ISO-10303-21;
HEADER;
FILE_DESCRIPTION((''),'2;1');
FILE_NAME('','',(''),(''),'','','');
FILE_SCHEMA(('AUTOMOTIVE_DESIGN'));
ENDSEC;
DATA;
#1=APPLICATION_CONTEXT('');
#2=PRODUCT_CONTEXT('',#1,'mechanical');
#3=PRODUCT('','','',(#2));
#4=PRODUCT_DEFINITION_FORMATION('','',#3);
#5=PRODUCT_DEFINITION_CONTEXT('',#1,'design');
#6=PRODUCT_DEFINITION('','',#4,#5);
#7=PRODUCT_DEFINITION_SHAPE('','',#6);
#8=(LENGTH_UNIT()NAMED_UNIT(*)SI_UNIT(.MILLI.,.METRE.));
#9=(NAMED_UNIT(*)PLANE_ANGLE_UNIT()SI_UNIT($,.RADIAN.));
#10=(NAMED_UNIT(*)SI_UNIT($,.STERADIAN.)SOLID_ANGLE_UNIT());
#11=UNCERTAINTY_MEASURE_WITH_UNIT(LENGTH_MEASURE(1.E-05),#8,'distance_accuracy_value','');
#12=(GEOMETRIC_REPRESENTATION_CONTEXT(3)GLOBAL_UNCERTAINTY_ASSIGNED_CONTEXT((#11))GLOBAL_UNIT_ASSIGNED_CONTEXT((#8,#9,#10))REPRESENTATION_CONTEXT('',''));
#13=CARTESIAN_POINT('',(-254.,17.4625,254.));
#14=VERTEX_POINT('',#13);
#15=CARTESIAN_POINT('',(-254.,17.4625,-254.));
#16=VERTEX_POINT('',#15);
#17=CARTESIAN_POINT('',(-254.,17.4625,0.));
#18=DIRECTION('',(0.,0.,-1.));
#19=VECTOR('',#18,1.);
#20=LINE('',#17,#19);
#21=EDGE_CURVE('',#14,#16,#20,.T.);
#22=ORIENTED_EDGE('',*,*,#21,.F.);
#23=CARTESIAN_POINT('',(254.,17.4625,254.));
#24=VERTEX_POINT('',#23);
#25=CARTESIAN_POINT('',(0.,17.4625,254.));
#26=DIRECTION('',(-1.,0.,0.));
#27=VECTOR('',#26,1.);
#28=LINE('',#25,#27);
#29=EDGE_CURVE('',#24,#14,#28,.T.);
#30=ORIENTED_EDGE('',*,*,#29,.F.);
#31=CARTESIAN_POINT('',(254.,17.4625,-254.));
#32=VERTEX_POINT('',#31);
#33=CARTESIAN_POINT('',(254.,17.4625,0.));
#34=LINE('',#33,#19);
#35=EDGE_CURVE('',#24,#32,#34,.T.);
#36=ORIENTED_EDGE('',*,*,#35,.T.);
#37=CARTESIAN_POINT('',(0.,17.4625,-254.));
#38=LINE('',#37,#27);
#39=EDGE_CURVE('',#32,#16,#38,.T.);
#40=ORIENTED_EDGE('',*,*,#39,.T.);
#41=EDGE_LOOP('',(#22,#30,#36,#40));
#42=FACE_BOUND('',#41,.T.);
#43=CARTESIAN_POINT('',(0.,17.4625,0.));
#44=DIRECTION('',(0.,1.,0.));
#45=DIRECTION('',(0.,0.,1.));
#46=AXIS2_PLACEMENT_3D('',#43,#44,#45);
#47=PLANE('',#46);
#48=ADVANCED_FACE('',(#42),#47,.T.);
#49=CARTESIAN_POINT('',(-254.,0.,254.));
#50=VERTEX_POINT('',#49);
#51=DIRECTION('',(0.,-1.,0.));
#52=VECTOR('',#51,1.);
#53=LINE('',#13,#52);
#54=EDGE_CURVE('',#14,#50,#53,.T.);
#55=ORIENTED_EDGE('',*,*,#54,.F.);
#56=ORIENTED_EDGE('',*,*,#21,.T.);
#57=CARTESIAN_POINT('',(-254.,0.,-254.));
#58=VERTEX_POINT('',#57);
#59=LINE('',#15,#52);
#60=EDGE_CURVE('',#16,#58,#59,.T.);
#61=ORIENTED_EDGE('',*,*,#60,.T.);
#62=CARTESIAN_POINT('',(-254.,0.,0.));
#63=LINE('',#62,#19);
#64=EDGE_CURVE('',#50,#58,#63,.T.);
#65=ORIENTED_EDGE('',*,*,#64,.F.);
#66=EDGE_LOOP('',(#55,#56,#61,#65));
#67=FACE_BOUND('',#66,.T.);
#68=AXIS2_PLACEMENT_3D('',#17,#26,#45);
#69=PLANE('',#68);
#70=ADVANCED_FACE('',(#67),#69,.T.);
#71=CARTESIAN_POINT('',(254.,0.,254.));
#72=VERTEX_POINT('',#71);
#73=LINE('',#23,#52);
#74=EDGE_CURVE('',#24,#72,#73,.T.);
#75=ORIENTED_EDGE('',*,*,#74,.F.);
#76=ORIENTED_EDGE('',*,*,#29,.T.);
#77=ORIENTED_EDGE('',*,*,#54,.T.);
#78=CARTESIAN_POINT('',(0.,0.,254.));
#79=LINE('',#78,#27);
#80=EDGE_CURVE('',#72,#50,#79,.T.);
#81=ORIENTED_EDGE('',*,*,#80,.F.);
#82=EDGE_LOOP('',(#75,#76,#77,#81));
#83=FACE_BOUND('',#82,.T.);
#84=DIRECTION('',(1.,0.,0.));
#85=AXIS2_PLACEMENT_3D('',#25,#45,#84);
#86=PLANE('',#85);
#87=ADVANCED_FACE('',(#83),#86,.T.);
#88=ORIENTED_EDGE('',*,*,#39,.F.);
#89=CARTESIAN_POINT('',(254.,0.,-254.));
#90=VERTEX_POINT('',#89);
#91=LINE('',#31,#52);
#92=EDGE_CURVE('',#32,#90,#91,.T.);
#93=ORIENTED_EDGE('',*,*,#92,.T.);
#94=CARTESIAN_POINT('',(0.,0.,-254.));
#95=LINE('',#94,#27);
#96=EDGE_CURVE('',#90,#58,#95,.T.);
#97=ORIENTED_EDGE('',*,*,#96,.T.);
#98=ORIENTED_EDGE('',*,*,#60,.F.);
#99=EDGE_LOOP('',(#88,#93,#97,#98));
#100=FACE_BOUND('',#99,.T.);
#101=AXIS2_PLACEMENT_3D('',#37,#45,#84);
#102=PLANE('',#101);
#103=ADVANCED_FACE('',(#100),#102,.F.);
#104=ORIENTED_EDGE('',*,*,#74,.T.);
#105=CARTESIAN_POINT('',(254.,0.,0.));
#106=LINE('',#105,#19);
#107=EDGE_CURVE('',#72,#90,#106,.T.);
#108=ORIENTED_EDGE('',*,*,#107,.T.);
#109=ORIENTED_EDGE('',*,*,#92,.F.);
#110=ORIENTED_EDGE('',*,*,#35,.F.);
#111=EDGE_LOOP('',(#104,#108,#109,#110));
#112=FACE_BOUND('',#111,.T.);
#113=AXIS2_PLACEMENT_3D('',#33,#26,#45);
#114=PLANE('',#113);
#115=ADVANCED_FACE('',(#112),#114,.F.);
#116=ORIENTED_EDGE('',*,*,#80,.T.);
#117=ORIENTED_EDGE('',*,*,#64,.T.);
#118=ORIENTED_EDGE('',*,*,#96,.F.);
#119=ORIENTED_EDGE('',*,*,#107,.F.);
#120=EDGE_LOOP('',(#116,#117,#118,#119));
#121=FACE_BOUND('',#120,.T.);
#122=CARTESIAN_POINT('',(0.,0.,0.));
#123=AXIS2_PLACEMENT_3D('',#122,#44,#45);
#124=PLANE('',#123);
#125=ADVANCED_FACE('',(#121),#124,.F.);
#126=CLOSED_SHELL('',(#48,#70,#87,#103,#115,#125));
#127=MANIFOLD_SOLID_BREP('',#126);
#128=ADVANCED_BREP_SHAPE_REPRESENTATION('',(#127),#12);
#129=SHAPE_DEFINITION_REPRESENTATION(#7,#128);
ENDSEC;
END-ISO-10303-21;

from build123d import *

# Parameters (mm, degrees)
SKETCH1_W           = 508
SKETCH1_H           = 508
SKETCH1_R           = 31.75
BOSS_EXTRUDE1_DEPTH = 17.4625


with BuildPart() as part:
    # Sketch1 → Boss-Extrude1 (new body)
    # profile 1 of 3: a face of its own
    with BuildSketch(Plane(origin=(0, 0, 0), x_dir=(1, 0, 0), z_dir=(0, 1, 0))):
        Rectangle(SKETCH1_W, SKETCH1_H)
        with Locations((88.9, -153.9875)):
            Circle(SKETCH1_R, mode=Mode.SUBTRACT)
        with Locations((-88.9, -153.9875)):
            Circle(SKETCH1_R, mode=Mode.SUBTRACT)
    # profile 2 of 3: a face of its own
    with BuildSketch(Plane(origin=(0, 0, 0), x_dir=(1, 0, 0), z_dir=(0, 1, 0))):
        with Locations((88.9, -153.9875)):
            Circle(SKETCH1_R)
    # profile 3 of 3: a face of its own
    with BuildSketch(Plane(origin=(0, 0, 0), x_dir=(1, 0, 0), z_dir=(0, 1, 0))):
        with Locations((-88.9, -153.9875)):
            Circle(SKETCH1_R)
    extrude(amount=BOSS_EXTRUDE1_DEPTH)


solid = part.part
